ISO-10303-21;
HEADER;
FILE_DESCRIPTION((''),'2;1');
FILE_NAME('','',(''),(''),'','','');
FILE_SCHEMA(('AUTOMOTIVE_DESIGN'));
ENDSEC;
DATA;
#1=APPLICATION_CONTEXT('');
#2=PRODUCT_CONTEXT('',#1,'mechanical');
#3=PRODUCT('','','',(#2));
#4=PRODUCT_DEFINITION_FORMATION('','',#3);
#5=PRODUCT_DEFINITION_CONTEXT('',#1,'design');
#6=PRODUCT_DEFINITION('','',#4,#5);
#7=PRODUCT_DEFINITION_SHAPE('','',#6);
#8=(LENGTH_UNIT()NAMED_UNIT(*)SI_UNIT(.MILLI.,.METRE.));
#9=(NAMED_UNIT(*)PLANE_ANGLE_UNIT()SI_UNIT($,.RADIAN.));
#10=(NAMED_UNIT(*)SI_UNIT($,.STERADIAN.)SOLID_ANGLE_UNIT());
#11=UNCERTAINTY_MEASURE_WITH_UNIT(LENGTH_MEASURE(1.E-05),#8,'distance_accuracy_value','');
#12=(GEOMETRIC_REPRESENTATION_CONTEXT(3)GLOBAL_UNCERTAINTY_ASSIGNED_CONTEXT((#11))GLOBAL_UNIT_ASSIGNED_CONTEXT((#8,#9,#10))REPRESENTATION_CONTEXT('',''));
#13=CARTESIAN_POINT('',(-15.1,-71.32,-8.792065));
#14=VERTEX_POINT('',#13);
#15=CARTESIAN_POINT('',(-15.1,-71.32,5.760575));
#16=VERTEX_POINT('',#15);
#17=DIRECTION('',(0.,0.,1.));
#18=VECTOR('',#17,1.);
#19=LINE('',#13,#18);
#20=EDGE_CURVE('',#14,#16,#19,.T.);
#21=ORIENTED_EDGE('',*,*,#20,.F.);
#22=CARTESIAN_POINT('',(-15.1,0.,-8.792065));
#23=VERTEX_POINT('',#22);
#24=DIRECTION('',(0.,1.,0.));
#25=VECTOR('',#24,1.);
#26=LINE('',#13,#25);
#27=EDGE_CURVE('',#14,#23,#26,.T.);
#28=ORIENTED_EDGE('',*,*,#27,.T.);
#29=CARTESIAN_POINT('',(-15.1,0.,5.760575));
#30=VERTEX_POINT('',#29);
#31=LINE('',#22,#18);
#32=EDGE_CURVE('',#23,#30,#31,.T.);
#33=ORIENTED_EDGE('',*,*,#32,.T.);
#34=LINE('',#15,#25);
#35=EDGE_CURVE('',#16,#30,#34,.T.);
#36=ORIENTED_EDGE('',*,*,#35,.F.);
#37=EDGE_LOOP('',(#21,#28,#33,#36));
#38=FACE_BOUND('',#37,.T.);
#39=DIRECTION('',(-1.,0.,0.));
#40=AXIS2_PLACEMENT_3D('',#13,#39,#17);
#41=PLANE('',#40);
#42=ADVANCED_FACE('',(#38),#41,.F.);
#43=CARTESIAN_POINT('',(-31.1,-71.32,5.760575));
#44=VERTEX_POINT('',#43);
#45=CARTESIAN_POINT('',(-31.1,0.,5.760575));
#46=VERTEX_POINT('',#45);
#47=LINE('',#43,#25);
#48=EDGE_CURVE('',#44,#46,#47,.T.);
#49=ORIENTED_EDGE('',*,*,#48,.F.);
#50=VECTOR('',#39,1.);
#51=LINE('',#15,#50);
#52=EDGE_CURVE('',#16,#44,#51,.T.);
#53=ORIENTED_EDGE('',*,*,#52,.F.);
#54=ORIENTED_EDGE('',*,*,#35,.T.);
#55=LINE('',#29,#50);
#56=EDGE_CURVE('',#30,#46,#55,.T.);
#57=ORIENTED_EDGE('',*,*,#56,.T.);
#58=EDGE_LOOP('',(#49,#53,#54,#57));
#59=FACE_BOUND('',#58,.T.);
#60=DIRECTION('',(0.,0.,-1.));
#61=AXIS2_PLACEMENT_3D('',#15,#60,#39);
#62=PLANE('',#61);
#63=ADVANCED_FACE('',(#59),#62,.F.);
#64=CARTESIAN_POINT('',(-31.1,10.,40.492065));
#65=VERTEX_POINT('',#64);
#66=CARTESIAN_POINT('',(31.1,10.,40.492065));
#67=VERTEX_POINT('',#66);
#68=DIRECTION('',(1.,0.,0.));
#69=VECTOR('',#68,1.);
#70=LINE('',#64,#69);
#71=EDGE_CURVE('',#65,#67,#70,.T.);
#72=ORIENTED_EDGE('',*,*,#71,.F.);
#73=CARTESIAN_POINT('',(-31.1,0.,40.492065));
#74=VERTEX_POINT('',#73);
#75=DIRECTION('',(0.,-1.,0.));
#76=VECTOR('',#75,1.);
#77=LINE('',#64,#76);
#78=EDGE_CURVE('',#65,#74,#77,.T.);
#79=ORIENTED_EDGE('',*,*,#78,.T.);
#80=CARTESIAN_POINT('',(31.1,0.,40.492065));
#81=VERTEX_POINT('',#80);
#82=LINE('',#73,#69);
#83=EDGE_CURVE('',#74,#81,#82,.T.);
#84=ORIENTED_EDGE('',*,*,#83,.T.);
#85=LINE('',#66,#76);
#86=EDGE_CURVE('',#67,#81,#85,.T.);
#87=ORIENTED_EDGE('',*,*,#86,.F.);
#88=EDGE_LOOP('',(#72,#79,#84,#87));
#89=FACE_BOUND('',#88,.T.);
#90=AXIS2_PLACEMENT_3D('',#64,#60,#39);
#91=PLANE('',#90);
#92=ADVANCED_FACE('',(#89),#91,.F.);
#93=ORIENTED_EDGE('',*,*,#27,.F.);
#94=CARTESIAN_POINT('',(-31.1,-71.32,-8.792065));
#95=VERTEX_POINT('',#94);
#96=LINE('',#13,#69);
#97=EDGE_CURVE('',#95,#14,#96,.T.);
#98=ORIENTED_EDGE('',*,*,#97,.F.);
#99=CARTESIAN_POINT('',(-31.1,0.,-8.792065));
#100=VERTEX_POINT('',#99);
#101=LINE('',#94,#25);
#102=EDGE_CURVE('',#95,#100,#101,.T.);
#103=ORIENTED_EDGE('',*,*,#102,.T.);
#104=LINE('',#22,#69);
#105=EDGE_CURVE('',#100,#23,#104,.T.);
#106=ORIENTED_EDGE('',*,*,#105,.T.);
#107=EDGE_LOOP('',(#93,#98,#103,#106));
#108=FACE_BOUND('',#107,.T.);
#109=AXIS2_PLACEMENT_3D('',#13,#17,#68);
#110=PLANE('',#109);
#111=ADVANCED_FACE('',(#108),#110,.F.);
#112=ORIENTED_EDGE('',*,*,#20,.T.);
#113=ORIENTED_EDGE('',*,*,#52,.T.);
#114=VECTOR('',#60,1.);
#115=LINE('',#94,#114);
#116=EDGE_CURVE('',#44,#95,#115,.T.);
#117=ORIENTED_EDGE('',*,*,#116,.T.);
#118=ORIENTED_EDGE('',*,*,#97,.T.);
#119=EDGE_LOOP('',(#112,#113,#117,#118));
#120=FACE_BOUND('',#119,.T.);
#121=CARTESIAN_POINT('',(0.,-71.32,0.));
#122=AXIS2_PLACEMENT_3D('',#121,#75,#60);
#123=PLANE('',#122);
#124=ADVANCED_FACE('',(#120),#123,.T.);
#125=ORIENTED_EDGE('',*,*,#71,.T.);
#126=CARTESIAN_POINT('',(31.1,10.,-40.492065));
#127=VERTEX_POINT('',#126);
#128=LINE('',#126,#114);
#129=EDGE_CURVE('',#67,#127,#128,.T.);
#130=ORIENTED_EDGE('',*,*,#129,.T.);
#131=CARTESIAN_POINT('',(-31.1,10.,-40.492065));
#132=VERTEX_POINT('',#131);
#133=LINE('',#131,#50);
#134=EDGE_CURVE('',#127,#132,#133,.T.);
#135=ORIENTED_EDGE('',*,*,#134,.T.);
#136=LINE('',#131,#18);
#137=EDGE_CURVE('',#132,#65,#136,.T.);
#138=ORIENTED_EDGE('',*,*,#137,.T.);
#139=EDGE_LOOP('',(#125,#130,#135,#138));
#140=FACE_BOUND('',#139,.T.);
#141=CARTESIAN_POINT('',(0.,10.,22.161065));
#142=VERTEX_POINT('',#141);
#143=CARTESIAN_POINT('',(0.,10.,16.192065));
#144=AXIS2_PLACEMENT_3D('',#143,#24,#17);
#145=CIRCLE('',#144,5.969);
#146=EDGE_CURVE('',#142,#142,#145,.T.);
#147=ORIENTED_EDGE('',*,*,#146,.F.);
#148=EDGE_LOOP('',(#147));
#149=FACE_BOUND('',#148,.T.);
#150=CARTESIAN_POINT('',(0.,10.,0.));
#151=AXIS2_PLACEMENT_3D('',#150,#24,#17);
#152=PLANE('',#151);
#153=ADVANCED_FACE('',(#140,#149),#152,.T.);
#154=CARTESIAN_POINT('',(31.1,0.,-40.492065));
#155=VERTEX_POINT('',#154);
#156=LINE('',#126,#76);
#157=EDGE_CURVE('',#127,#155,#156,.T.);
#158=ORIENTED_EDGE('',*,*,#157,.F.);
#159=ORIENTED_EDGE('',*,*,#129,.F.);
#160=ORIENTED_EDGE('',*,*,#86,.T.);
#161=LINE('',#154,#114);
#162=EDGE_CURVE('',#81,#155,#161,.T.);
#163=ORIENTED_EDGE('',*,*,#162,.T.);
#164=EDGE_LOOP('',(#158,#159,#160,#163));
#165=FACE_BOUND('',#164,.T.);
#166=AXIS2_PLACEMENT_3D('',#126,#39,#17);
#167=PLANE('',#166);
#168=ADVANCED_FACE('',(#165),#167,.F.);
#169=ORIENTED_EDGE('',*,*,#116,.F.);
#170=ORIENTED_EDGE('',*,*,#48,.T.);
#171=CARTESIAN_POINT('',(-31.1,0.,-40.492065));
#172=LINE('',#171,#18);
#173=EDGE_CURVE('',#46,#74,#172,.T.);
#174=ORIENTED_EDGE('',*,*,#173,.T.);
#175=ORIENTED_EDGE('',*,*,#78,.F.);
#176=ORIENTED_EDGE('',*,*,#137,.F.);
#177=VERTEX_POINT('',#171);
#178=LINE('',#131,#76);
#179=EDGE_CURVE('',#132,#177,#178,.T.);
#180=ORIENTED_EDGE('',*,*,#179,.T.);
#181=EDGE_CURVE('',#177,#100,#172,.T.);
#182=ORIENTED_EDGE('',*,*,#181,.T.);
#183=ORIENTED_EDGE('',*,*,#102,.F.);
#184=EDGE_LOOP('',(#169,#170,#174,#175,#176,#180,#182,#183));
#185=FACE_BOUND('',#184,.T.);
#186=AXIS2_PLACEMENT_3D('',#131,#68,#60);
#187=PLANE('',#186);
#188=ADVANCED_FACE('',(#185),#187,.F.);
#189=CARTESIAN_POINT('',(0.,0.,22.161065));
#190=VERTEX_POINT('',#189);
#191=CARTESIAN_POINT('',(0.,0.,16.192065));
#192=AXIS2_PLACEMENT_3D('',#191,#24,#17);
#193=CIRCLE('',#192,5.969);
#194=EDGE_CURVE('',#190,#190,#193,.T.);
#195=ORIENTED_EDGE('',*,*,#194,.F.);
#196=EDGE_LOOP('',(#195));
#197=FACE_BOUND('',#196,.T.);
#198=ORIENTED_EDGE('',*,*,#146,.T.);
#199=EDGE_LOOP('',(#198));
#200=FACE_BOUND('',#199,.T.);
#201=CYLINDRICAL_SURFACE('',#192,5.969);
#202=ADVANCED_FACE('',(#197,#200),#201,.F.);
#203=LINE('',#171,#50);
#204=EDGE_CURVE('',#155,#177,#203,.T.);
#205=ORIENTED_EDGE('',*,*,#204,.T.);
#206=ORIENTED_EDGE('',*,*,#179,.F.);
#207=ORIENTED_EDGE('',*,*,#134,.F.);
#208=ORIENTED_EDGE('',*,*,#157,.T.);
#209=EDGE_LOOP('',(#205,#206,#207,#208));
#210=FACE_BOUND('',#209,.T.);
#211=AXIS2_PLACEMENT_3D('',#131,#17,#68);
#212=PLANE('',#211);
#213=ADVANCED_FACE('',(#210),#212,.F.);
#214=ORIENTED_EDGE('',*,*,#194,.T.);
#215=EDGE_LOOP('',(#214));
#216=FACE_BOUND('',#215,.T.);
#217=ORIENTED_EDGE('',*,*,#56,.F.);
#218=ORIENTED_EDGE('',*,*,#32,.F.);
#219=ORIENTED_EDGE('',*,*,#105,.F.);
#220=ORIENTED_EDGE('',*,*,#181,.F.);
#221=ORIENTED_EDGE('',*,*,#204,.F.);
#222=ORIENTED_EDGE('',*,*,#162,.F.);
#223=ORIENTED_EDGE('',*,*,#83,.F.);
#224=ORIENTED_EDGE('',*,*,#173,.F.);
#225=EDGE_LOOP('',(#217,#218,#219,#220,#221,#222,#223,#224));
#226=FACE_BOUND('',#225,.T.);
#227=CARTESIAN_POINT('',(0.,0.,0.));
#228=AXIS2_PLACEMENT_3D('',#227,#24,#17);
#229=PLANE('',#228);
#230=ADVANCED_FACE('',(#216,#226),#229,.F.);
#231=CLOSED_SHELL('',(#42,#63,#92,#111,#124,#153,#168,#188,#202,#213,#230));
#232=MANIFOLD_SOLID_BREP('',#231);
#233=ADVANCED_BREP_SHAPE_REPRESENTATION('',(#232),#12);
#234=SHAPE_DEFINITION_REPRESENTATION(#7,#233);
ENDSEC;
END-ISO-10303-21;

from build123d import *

# Parameters (mm, degrees)
SKETCH1_W           = 62.2
SKETCH1_H           = 80.98413
BOSS_EXTRUDE1_DEPTH = 10
SKETCH2_R           = 5.969
CUT_EXTRUDE1_DEPTH  = 10
SKETCH3_W           = 16
SKETCH3_H           = 14.55264
BOSS_EXTRUDE2_DEPTH = 71.32


with BuildPart() as part:
    # Sketch1 → Boss-Extrude1 (new body)
    with BuildSketch(Plane(origin=(0, 0, 0), x_dir=(1, 0, 0), z_dir=(0, 1, 0))):
        Rectangle(SKETCH1_W, SKETCH1_H)
    extrude(amount=BOSS_EXTRUDE1_DEPTH)

    # Sketch2 → Cut-Extrude1 (cut)
    with BuildSketch(Plane(origin=(0, 10, 0), x_dir=(1, 0, 0), z_dir=(0, 1, 0))):
        with Locations(Location((0, -16.192065, 0), (0, 0, 270))):
            Circle(SKETCH2_R)
    extrude(amount=-CUT_EXTRUDE1_DEPTH, mode=Mode.SUBTRACT)

    # Sketch3 → Boss-Extrude2 (add)
    with BuildSketch(Plane.XZ):
        with Locations((-23.1, -1.515745)):
            Rectangle(SKETCH3_W, SKETCH3_H)
    extrude(amount=BOSS_EXTRUDE2_DEPTH)


solid = part.part
